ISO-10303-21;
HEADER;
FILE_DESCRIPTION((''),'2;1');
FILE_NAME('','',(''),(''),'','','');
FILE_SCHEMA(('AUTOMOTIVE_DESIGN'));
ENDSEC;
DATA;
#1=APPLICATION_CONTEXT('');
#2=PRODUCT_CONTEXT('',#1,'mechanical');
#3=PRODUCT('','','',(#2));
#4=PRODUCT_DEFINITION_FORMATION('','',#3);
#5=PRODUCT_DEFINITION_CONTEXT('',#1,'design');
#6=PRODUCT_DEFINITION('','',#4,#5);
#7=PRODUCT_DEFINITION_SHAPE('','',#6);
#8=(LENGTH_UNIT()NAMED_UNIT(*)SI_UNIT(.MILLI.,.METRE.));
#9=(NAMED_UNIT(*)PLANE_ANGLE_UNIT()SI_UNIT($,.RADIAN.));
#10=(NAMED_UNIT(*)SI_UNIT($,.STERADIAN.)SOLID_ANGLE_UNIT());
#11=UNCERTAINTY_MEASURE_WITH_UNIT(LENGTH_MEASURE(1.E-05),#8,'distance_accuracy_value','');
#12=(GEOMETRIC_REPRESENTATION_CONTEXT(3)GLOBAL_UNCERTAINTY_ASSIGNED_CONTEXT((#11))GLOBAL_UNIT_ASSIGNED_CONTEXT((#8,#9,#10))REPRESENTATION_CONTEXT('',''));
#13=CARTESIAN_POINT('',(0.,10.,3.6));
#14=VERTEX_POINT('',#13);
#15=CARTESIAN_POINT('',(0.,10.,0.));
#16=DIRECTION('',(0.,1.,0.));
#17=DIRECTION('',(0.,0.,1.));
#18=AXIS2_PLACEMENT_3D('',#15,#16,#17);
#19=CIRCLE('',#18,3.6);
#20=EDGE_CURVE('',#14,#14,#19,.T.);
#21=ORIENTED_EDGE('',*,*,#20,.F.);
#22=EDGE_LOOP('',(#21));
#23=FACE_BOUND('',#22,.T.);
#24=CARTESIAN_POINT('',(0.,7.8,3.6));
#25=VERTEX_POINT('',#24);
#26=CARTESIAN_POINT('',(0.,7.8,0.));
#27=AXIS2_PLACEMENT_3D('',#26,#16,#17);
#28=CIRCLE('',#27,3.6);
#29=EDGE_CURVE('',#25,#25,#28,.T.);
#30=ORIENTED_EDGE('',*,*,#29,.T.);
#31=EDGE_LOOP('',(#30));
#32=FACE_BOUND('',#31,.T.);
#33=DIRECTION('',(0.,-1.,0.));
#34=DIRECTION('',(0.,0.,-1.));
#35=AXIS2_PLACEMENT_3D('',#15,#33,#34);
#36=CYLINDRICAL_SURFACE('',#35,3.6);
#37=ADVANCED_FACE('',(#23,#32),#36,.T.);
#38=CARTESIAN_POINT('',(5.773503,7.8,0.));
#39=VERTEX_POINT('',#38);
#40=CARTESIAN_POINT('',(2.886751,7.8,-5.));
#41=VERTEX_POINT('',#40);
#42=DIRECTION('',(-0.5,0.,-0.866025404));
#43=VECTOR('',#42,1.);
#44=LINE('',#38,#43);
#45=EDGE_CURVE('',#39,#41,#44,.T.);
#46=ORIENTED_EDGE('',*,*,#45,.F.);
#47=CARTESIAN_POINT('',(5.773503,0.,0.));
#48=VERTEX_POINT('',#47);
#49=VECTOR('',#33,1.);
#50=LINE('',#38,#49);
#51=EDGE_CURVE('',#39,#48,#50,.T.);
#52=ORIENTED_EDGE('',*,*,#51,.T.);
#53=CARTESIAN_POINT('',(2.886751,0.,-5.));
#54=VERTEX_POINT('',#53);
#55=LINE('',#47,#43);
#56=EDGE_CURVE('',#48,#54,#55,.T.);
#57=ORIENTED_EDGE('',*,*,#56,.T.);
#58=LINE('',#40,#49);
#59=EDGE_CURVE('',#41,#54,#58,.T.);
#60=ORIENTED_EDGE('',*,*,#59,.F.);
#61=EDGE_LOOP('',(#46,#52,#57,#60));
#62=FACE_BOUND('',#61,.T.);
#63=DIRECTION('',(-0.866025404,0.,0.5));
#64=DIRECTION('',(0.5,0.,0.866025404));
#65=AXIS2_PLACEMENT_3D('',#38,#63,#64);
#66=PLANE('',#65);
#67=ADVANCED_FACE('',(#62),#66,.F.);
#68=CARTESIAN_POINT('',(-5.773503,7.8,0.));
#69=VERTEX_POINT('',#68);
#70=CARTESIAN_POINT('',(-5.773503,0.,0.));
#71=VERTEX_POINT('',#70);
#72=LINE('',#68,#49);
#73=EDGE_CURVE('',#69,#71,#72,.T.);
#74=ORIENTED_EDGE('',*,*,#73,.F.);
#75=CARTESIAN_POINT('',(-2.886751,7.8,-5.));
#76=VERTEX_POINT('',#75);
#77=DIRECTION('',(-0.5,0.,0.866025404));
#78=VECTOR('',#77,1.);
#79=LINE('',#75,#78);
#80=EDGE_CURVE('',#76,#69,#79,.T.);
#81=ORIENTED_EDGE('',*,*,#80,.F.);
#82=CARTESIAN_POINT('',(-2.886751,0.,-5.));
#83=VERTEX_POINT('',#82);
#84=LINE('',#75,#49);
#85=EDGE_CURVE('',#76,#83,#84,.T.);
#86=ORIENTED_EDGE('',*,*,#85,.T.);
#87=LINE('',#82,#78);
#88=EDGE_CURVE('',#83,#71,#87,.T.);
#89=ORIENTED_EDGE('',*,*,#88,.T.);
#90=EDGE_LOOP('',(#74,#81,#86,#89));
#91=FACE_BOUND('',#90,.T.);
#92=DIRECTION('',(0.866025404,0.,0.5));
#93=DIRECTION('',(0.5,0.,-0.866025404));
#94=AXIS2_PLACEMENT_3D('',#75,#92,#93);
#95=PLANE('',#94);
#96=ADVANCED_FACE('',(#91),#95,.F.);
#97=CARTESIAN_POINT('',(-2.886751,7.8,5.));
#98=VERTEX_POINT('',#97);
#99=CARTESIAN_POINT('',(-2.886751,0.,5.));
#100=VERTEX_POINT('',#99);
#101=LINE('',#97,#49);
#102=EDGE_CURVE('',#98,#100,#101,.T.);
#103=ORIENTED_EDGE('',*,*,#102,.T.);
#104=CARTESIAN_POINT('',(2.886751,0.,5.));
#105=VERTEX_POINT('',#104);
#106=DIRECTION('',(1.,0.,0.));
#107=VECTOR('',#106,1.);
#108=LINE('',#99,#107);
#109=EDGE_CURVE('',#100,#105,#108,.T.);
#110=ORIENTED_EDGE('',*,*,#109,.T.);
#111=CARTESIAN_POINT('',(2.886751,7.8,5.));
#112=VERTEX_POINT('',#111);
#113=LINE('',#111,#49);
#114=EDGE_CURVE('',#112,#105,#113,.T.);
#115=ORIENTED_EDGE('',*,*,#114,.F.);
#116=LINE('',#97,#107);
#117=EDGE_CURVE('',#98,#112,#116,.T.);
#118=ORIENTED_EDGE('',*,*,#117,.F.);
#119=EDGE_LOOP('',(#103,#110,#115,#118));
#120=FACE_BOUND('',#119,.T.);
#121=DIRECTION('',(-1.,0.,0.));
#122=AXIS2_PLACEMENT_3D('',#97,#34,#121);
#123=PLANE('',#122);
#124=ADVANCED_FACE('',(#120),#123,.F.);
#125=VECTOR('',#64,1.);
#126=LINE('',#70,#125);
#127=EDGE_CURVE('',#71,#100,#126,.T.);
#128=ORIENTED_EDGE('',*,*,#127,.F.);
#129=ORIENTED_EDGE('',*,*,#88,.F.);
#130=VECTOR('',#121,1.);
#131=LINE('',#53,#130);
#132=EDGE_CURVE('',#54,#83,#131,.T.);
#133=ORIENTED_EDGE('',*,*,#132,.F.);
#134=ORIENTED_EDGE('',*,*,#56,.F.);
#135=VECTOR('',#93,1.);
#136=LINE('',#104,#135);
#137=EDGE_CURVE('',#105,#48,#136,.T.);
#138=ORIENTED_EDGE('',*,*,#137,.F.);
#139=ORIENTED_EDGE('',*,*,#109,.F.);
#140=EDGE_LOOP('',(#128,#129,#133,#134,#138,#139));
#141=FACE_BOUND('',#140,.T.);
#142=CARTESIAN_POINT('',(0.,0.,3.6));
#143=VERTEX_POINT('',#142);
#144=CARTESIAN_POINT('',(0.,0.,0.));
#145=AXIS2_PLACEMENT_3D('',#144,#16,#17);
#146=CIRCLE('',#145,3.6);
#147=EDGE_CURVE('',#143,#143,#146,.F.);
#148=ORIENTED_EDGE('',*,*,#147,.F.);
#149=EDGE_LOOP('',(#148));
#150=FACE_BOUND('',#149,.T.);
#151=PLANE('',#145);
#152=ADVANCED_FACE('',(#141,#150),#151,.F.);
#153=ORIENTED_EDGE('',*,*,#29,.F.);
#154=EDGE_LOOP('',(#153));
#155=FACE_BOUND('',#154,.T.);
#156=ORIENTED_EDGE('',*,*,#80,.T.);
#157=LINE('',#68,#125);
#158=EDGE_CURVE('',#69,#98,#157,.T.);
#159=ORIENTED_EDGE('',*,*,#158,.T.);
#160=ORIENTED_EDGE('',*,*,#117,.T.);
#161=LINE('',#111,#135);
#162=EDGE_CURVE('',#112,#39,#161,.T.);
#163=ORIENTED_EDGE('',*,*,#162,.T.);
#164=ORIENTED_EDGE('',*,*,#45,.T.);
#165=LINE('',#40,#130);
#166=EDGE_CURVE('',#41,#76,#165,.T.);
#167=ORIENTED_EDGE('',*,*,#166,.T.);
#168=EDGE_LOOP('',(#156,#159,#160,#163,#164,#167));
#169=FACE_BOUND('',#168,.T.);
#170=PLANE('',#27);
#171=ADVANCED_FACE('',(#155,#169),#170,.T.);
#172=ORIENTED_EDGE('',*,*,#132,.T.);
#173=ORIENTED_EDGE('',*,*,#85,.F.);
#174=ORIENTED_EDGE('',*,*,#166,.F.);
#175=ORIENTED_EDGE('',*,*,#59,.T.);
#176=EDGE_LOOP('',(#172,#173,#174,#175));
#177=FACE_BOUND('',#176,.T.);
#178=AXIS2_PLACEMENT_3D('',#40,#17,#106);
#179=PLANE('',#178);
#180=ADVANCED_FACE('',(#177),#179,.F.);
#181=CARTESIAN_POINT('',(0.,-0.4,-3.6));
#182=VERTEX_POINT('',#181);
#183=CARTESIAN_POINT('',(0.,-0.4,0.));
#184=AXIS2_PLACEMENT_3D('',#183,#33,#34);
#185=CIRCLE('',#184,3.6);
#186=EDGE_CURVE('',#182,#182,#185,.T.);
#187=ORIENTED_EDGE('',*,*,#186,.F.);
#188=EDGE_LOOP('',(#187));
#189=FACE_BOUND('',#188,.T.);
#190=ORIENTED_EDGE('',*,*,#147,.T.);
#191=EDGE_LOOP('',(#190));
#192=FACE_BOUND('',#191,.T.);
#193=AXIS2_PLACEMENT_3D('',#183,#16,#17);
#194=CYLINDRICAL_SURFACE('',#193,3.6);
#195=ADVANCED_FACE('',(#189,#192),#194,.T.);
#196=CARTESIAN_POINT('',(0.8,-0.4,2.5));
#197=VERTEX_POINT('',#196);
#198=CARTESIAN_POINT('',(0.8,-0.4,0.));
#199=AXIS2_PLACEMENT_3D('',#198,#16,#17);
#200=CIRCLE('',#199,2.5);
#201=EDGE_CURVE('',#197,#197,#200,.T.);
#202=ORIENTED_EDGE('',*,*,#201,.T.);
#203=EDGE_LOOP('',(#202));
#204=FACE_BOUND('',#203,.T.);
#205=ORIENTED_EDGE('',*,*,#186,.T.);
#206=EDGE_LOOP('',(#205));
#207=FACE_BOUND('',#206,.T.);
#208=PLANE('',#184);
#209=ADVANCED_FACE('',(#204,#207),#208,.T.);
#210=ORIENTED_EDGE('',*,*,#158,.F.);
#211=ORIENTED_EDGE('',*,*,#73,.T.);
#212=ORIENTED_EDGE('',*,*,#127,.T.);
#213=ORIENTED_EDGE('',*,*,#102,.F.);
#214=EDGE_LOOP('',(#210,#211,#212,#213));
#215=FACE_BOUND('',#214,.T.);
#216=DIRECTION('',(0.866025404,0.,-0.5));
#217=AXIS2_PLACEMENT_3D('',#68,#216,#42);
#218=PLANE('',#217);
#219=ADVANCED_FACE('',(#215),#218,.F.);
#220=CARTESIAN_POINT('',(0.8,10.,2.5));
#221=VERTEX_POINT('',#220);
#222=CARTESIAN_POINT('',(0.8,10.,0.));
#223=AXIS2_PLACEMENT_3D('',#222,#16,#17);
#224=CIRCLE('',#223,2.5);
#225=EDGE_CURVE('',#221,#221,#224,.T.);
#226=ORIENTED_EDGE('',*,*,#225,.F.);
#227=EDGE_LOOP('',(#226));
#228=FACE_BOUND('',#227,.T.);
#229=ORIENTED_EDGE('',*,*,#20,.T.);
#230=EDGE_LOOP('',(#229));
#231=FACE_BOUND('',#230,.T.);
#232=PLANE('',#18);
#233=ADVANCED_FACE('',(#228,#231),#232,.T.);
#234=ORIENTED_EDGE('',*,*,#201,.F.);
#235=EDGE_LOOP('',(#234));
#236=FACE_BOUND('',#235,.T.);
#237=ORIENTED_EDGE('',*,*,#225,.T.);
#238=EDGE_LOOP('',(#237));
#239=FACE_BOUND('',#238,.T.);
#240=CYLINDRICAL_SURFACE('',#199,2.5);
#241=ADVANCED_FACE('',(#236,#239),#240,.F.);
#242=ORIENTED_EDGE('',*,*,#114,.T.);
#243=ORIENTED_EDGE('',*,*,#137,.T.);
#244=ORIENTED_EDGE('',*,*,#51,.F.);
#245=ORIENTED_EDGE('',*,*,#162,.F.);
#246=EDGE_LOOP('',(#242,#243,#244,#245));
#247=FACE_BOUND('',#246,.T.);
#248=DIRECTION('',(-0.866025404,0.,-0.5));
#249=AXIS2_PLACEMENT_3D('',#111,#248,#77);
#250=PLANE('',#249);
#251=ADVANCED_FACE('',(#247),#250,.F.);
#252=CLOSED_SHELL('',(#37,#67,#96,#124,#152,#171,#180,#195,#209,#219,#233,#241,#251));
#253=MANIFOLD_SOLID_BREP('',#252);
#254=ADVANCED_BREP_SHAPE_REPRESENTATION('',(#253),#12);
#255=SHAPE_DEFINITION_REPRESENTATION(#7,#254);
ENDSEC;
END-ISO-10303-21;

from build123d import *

# Parameters (mm, degrees)
BOSS_EXTRUDE1_DEPTH     = 7.8
SKETCH2_R               = 3.6
BOSS_EXTRUDE2_DEPTH     = 2.2
BOSS_EXTRUDE3_START     = 0.4
SKETCH3_R               = 3.6
BOSS_EXTRUDE3_DEPTH     = 0.4
CUT_EXTRUDE1_DEPTH      = 13.583057392
CUT_EXTRUDE1_DEPTH_BACK = 13.583057392
SKETCH4_R               = 2.5


with BuildPart() as part:
    # Sketch1 → Boss-Extrude1 (new body)
    with BuildSketch(Plane(origin=(0, 0, 0), x_dir=(1, 0, 0), z_dir=(0, 1, 0))):
        Polygon((5.773502692, 0), (2.886751346, 5), (-2.886751346, 5), (-5.773502692, 0), (-2.886751346, -5), (2.886751346, -5), align=None)
    extrude(amount=BOSS_EXTRUDE1_DEPTH)

    # Sketch2 → Boss-Extrude2 (add)
    with BuildSketch(Plane(origin=(0, 7.8, 0), x_dir=(1, 0, 0), z_dir=(0, 1, 0))):
        with Locations(Location((0, 0, 0), (0, 0, 270))):
            Circle(SKETCH2_R)
    extrude(amount=BOSS_EXTRUDE2_DEPTH)

    # Sketch3 → Boss-Extrude3 (add)
    with BuildSketch(Plane.XZ.offset(BOSS_EXTRUDE3_START)):
        with Locations(Location((0, 0, 0), (0, 0, 90))):
            Circle(SKETCH3_R)
    extrude(amount=-BOSS_EXTRUDE3_DEPTH)

    # Sketch4 → Cut-Extrude1 (cut, two sides: drawn at the far end of the back side and taken through both)
    with BuildSketch(Plane(origin=(0, 0, 0), x_dir=(1, 0, 0), z_dir=(0, 1, 0)).offset(-CUT_EXTRUDE1_DEPTH_BACK)):
        with Locations(Location((0.8, 0, 0), (0, 0, 270))):
            Circle(SKETCH4_R)
    extrude(amount=CUT_EXTRUDE1_DEPTH + CUT_EXTRUDE1_DEPTH_BACK, mode=Mode.SUBTRACT)


solid = part.part
